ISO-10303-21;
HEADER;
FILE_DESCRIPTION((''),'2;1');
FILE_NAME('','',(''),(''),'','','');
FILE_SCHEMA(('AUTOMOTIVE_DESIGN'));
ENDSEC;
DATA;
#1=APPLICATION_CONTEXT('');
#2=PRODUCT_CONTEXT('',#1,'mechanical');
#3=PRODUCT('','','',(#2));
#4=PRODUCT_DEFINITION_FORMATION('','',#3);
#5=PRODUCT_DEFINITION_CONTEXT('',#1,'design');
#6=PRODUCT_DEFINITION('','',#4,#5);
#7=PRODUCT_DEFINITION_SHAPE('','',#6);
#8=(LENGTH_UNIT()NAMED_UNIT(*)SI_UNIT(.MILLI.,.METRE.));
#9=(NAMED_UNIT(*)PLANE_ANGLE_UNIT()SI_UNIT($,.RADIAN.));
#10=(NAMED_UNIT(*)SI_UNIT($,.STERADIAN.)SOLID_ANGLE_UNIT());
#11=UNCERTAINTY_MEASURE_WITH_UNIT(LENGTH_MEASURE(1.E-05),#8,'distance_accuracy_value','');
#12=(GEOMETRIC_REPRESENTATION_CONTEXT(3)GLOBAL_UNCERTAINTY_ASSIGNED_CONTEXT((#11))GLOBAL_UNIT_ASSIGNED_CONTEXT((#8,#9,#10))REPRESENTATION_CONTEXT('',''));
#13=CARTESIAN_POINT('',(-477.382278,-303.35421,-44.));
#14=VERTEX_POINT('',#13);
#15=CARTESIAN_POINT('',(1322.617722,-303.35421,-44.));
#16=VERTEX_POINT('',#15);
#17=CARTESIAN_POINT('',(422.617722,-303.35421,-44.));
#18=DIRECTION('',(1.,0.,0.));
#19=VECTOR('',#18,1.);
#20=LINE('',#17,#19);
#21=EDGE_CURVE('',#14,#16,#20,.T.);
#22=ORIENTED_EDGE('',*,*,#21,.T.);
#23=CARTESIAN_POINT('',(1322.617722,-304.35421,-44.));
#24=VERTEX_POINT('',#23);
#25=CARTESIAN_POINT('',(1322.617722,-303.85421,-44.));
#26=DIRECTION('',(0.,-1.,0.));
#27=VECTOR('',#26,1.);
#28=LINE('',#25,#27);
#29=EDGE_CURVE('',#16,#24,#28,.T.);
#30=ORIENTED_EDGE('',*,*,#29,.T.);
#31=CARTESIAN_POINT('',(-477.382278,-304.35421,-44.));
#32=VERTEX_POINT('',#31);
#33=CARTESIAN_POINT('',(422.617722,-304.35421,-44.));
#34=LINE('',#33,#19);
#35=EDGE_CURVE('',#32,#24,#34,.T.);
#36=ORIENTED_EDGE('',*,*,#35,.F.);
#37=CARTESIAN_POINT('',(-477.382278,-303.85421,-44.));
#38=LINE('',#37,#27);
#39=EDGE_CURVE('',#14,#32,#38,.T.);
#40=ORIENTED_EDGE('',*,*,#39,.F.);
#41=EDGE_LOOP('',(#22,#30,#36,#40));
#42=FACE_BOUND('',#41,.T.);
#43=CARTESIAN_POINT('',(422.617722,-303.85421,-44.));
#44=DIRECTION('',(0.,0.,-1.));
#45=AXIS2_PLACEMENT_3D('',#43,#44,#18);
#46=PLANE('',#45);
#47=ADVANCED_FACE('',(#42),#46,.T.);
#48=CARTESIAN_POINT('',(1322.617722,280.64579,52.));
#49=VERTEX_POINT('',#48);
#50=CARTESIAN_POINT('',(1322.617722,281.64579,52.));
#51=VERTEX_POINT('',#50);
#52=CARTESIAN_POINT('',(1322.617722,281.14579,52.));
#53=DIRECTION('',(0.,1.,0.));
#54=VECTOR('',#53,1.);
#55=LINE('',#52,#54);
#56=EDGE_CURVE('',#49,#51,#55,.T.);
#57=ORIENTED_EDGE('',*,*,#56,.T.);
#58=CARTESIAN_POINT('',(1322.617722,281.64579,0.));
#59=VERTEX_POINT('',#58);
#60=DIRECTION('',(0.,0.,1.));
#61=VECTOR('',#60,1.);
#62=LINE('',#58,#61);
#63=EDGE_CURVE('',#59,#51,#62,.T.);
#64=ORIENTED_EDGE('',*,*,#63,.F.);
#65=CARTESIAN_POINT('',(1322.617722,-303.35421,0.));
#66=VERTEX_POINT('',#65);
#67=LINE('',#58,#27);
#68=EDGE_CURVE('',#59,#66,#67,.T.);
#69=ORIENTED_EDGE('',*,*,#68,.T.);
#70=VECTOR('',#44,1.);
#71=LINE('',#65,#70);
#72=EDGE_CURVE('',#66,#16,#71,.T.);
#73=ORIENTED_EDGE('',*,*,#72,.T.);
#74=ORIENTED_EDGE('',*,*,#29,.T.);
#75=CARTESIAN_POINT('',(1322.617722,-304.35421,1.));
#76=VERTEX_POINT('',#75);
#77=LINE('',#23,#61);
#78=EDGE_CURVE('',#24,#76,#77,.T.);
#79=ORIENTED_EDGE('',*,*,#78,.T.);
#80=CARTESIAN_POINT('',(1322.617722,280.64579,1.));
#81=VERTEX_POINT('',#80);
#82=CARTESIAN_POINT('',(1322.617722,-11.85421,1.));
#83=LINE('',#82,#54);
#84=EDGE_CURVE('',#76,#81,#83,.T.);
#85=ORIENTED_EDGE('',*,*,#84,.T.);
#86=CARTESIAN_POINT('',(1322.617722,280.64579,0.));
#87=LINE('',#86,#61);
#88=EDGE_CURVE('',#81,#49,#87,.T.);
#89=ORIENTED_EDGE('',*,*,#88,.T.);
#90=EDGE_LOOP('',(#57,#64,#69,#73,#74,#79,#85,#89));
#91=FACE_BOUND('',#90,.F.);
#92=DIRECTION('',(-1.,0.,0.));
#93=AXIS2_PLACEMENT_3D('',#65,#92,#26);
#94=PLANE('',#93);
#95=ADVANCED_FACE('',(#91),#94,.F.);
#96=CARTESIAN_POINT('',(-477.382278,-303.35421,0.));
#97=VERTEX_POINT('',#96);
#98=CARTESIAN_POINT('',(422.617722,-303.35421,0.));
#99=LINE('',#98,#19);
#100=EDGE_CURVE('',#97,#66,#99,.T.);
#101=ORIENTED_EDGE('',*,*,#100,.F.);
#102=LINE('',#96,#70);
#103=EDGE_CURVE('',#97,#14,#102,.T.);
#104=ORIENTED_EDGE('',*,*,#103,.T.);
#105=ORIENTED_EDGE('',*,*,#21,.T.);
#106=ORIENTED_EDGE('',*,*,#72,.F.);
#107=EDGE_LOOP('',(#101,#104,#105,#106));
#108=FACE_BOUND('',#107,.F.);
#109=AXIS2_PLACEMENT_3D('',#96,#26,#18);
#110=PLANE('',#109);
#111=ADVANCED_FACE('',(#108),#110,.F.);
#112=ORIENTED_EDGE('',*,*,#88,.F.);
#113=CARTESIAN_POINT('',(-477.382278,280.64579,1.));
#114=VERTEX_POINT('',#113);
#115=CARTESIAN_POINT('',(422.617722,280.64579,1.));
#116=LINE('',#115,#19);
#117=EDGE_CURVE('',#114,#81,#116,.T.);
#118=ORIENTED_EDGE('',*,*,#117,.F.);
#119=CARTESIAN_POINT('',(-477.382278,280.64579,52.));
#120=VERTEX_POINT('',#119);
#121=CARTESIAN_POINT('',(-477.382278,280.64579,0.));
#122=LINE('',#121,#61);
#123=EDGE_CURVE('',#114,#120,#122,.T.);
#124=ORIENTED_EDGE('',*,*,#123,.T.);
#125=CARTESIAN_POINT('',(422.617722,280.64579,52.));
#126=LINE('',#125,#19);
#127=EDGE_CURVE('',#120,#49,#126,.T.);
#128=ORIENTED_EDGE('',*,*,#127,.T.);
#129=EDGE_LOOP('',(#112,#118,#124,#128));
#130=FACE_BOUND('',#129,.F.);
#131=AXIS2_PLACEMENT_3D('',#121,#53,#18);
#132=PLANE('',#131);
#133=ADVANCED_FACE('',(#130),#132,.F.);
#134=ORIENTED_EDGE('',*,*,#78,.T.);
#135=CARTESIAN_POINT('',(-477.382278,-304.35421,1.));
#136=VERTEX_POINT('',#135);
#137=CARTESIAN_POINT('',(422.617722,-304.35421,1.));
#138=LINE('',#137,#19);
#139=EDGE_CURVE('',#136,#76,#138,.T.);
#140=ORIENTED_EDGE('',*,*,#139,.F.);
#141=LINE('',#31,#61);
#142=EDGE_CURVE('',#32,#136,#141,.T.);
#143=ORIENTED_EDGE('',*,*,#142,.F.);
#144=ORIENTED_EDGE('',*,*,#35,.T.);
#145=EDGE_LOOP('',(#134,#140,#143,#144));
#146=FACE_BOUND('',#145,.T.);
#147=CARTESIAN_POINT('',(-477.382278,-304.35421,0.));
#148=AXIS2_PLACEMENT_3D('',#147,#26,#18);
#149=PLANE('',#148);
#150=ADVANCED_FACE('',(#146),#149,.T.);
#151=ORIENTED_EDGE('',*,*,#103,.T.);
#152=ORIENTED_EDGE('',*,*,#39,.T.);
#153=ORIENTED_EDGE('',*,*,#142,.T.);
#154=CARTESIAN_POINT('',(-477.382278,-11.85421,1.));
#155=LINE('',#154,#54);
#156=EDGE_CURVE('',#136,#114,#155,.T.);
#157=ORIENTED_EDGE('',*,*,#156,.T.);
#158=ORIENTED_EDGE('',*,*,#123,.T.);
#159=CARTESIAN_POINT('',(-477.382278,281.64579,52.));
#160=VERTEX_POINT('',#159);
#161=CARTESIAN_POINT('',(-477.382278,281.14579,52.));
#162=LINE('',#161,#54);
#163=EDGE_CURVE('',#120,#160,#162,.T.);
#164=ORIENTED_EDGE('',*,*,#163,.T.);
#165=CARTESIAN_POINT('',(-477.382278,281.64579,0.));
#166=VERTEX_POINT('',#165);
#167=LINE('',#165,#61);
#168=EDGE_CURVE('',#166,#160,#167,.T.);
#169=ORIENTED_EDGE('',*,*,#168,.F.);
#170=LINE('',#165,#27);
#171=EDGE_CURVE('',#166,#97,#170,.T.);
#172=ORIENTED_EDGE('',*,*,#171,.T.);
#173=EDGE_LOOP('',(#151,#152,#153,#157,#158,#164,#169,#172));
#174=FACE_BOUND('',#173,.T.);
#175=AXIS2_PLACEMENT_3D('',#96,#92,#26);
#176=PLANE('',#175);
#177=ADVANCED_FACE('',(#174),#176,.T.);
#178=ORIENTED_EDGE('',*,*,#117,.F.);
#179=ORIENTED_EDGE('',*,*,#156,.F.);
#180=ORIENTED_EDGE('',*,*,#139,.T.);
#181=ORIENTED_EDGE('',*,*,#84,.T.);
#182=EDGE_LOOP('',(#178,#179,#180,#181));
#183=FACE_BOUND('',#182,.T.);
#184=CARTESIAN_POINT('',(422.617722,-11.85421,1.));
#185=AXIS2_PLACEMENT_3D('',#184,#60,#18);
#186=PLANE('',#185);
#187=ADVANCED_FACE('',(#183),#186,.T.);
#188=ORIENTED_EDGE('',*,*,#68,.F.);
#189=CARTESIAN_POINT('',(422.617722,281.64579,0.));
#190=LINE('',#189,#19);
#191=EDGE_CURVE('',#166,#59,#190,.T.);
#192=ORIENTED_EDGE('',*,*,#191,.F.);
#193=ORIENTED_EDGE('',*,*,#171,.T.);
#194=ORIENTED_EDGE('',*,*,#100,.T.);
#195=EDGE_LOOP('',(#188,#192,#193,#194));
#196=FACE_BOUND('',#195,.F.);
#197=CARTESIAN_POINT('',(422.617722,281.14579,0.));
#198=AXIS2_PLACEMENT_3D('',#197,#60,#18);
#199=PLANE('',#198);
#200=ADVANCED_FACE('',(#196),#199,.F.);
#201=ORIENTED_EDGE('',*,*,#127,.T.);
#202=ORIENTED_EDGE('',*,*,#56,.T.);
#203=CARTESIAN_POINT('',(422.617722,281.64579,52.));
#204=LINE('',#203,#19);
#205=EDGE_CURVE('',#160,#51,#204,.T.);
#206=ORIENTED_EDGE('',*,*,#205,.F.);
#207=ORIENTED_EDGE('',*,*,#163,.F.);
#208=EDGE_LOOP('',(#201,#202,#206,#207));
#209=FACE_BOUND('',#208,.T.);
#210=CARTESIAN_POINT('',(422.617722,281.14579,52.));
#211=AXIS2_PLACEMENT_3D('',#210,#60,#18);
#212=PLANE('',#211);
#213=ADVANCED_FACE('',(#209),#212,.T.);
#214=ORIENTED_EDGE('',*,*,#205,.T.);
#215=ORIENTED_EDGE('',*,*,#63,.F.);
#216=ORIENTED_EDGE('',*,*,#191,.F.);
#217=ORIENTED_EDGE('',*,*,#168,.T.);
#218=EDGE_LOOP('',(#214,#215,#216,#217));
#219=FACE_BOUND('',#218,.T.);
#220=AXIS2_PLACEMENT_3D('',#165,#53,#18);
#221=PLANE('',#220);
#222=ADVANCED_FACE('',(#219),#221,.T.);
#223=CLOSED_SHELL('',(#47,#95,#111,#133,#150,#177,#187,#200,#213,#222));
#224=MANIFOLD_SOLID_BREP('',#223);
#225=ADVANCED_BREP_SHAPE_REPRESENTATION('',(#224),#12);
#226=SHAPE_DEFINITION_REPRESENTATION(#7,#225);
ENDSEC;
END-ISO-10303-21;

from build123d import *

# Parameters (mm, degrees)
F0_W     = 1800
F0_H     = 585
F1_DEPTH = 1
F0_H_2   = 1
F2_DEPTH = 52
F3_W     = 1800
F3_H     = 1
F4_DEPTH = 44


with BuildPart() as f1:
    # F0 (on Top) → F1 (new body)
    with BuildSketch(Plane.XY):
        with Locations((422.617722, -11.85421)):
            Rectangle(F0_W, F0_H)
    extrude(amount=F1_DEPTH)

    # F0 (on Top) → F2 (join)
    with BuildSketch(Plane.XY):
        with Locations((422.617722, 281.14579)):
            Rectangle(F0_W, F0_H_2)
    extrude(amount=F2_DEPTH)

    # F3 (on face) → F4 (join)
    with BuildSketch(Plane(origin=(0, 0, 0), x_dir=(1, 0, 0), z_dir=(0, 0, -1))):
        with Locations((422.617722, 303.85421)):
            Rectangle(F3_W, F3_H)
    extrude(amount=F4_DEPTH)


solid = f1.part
